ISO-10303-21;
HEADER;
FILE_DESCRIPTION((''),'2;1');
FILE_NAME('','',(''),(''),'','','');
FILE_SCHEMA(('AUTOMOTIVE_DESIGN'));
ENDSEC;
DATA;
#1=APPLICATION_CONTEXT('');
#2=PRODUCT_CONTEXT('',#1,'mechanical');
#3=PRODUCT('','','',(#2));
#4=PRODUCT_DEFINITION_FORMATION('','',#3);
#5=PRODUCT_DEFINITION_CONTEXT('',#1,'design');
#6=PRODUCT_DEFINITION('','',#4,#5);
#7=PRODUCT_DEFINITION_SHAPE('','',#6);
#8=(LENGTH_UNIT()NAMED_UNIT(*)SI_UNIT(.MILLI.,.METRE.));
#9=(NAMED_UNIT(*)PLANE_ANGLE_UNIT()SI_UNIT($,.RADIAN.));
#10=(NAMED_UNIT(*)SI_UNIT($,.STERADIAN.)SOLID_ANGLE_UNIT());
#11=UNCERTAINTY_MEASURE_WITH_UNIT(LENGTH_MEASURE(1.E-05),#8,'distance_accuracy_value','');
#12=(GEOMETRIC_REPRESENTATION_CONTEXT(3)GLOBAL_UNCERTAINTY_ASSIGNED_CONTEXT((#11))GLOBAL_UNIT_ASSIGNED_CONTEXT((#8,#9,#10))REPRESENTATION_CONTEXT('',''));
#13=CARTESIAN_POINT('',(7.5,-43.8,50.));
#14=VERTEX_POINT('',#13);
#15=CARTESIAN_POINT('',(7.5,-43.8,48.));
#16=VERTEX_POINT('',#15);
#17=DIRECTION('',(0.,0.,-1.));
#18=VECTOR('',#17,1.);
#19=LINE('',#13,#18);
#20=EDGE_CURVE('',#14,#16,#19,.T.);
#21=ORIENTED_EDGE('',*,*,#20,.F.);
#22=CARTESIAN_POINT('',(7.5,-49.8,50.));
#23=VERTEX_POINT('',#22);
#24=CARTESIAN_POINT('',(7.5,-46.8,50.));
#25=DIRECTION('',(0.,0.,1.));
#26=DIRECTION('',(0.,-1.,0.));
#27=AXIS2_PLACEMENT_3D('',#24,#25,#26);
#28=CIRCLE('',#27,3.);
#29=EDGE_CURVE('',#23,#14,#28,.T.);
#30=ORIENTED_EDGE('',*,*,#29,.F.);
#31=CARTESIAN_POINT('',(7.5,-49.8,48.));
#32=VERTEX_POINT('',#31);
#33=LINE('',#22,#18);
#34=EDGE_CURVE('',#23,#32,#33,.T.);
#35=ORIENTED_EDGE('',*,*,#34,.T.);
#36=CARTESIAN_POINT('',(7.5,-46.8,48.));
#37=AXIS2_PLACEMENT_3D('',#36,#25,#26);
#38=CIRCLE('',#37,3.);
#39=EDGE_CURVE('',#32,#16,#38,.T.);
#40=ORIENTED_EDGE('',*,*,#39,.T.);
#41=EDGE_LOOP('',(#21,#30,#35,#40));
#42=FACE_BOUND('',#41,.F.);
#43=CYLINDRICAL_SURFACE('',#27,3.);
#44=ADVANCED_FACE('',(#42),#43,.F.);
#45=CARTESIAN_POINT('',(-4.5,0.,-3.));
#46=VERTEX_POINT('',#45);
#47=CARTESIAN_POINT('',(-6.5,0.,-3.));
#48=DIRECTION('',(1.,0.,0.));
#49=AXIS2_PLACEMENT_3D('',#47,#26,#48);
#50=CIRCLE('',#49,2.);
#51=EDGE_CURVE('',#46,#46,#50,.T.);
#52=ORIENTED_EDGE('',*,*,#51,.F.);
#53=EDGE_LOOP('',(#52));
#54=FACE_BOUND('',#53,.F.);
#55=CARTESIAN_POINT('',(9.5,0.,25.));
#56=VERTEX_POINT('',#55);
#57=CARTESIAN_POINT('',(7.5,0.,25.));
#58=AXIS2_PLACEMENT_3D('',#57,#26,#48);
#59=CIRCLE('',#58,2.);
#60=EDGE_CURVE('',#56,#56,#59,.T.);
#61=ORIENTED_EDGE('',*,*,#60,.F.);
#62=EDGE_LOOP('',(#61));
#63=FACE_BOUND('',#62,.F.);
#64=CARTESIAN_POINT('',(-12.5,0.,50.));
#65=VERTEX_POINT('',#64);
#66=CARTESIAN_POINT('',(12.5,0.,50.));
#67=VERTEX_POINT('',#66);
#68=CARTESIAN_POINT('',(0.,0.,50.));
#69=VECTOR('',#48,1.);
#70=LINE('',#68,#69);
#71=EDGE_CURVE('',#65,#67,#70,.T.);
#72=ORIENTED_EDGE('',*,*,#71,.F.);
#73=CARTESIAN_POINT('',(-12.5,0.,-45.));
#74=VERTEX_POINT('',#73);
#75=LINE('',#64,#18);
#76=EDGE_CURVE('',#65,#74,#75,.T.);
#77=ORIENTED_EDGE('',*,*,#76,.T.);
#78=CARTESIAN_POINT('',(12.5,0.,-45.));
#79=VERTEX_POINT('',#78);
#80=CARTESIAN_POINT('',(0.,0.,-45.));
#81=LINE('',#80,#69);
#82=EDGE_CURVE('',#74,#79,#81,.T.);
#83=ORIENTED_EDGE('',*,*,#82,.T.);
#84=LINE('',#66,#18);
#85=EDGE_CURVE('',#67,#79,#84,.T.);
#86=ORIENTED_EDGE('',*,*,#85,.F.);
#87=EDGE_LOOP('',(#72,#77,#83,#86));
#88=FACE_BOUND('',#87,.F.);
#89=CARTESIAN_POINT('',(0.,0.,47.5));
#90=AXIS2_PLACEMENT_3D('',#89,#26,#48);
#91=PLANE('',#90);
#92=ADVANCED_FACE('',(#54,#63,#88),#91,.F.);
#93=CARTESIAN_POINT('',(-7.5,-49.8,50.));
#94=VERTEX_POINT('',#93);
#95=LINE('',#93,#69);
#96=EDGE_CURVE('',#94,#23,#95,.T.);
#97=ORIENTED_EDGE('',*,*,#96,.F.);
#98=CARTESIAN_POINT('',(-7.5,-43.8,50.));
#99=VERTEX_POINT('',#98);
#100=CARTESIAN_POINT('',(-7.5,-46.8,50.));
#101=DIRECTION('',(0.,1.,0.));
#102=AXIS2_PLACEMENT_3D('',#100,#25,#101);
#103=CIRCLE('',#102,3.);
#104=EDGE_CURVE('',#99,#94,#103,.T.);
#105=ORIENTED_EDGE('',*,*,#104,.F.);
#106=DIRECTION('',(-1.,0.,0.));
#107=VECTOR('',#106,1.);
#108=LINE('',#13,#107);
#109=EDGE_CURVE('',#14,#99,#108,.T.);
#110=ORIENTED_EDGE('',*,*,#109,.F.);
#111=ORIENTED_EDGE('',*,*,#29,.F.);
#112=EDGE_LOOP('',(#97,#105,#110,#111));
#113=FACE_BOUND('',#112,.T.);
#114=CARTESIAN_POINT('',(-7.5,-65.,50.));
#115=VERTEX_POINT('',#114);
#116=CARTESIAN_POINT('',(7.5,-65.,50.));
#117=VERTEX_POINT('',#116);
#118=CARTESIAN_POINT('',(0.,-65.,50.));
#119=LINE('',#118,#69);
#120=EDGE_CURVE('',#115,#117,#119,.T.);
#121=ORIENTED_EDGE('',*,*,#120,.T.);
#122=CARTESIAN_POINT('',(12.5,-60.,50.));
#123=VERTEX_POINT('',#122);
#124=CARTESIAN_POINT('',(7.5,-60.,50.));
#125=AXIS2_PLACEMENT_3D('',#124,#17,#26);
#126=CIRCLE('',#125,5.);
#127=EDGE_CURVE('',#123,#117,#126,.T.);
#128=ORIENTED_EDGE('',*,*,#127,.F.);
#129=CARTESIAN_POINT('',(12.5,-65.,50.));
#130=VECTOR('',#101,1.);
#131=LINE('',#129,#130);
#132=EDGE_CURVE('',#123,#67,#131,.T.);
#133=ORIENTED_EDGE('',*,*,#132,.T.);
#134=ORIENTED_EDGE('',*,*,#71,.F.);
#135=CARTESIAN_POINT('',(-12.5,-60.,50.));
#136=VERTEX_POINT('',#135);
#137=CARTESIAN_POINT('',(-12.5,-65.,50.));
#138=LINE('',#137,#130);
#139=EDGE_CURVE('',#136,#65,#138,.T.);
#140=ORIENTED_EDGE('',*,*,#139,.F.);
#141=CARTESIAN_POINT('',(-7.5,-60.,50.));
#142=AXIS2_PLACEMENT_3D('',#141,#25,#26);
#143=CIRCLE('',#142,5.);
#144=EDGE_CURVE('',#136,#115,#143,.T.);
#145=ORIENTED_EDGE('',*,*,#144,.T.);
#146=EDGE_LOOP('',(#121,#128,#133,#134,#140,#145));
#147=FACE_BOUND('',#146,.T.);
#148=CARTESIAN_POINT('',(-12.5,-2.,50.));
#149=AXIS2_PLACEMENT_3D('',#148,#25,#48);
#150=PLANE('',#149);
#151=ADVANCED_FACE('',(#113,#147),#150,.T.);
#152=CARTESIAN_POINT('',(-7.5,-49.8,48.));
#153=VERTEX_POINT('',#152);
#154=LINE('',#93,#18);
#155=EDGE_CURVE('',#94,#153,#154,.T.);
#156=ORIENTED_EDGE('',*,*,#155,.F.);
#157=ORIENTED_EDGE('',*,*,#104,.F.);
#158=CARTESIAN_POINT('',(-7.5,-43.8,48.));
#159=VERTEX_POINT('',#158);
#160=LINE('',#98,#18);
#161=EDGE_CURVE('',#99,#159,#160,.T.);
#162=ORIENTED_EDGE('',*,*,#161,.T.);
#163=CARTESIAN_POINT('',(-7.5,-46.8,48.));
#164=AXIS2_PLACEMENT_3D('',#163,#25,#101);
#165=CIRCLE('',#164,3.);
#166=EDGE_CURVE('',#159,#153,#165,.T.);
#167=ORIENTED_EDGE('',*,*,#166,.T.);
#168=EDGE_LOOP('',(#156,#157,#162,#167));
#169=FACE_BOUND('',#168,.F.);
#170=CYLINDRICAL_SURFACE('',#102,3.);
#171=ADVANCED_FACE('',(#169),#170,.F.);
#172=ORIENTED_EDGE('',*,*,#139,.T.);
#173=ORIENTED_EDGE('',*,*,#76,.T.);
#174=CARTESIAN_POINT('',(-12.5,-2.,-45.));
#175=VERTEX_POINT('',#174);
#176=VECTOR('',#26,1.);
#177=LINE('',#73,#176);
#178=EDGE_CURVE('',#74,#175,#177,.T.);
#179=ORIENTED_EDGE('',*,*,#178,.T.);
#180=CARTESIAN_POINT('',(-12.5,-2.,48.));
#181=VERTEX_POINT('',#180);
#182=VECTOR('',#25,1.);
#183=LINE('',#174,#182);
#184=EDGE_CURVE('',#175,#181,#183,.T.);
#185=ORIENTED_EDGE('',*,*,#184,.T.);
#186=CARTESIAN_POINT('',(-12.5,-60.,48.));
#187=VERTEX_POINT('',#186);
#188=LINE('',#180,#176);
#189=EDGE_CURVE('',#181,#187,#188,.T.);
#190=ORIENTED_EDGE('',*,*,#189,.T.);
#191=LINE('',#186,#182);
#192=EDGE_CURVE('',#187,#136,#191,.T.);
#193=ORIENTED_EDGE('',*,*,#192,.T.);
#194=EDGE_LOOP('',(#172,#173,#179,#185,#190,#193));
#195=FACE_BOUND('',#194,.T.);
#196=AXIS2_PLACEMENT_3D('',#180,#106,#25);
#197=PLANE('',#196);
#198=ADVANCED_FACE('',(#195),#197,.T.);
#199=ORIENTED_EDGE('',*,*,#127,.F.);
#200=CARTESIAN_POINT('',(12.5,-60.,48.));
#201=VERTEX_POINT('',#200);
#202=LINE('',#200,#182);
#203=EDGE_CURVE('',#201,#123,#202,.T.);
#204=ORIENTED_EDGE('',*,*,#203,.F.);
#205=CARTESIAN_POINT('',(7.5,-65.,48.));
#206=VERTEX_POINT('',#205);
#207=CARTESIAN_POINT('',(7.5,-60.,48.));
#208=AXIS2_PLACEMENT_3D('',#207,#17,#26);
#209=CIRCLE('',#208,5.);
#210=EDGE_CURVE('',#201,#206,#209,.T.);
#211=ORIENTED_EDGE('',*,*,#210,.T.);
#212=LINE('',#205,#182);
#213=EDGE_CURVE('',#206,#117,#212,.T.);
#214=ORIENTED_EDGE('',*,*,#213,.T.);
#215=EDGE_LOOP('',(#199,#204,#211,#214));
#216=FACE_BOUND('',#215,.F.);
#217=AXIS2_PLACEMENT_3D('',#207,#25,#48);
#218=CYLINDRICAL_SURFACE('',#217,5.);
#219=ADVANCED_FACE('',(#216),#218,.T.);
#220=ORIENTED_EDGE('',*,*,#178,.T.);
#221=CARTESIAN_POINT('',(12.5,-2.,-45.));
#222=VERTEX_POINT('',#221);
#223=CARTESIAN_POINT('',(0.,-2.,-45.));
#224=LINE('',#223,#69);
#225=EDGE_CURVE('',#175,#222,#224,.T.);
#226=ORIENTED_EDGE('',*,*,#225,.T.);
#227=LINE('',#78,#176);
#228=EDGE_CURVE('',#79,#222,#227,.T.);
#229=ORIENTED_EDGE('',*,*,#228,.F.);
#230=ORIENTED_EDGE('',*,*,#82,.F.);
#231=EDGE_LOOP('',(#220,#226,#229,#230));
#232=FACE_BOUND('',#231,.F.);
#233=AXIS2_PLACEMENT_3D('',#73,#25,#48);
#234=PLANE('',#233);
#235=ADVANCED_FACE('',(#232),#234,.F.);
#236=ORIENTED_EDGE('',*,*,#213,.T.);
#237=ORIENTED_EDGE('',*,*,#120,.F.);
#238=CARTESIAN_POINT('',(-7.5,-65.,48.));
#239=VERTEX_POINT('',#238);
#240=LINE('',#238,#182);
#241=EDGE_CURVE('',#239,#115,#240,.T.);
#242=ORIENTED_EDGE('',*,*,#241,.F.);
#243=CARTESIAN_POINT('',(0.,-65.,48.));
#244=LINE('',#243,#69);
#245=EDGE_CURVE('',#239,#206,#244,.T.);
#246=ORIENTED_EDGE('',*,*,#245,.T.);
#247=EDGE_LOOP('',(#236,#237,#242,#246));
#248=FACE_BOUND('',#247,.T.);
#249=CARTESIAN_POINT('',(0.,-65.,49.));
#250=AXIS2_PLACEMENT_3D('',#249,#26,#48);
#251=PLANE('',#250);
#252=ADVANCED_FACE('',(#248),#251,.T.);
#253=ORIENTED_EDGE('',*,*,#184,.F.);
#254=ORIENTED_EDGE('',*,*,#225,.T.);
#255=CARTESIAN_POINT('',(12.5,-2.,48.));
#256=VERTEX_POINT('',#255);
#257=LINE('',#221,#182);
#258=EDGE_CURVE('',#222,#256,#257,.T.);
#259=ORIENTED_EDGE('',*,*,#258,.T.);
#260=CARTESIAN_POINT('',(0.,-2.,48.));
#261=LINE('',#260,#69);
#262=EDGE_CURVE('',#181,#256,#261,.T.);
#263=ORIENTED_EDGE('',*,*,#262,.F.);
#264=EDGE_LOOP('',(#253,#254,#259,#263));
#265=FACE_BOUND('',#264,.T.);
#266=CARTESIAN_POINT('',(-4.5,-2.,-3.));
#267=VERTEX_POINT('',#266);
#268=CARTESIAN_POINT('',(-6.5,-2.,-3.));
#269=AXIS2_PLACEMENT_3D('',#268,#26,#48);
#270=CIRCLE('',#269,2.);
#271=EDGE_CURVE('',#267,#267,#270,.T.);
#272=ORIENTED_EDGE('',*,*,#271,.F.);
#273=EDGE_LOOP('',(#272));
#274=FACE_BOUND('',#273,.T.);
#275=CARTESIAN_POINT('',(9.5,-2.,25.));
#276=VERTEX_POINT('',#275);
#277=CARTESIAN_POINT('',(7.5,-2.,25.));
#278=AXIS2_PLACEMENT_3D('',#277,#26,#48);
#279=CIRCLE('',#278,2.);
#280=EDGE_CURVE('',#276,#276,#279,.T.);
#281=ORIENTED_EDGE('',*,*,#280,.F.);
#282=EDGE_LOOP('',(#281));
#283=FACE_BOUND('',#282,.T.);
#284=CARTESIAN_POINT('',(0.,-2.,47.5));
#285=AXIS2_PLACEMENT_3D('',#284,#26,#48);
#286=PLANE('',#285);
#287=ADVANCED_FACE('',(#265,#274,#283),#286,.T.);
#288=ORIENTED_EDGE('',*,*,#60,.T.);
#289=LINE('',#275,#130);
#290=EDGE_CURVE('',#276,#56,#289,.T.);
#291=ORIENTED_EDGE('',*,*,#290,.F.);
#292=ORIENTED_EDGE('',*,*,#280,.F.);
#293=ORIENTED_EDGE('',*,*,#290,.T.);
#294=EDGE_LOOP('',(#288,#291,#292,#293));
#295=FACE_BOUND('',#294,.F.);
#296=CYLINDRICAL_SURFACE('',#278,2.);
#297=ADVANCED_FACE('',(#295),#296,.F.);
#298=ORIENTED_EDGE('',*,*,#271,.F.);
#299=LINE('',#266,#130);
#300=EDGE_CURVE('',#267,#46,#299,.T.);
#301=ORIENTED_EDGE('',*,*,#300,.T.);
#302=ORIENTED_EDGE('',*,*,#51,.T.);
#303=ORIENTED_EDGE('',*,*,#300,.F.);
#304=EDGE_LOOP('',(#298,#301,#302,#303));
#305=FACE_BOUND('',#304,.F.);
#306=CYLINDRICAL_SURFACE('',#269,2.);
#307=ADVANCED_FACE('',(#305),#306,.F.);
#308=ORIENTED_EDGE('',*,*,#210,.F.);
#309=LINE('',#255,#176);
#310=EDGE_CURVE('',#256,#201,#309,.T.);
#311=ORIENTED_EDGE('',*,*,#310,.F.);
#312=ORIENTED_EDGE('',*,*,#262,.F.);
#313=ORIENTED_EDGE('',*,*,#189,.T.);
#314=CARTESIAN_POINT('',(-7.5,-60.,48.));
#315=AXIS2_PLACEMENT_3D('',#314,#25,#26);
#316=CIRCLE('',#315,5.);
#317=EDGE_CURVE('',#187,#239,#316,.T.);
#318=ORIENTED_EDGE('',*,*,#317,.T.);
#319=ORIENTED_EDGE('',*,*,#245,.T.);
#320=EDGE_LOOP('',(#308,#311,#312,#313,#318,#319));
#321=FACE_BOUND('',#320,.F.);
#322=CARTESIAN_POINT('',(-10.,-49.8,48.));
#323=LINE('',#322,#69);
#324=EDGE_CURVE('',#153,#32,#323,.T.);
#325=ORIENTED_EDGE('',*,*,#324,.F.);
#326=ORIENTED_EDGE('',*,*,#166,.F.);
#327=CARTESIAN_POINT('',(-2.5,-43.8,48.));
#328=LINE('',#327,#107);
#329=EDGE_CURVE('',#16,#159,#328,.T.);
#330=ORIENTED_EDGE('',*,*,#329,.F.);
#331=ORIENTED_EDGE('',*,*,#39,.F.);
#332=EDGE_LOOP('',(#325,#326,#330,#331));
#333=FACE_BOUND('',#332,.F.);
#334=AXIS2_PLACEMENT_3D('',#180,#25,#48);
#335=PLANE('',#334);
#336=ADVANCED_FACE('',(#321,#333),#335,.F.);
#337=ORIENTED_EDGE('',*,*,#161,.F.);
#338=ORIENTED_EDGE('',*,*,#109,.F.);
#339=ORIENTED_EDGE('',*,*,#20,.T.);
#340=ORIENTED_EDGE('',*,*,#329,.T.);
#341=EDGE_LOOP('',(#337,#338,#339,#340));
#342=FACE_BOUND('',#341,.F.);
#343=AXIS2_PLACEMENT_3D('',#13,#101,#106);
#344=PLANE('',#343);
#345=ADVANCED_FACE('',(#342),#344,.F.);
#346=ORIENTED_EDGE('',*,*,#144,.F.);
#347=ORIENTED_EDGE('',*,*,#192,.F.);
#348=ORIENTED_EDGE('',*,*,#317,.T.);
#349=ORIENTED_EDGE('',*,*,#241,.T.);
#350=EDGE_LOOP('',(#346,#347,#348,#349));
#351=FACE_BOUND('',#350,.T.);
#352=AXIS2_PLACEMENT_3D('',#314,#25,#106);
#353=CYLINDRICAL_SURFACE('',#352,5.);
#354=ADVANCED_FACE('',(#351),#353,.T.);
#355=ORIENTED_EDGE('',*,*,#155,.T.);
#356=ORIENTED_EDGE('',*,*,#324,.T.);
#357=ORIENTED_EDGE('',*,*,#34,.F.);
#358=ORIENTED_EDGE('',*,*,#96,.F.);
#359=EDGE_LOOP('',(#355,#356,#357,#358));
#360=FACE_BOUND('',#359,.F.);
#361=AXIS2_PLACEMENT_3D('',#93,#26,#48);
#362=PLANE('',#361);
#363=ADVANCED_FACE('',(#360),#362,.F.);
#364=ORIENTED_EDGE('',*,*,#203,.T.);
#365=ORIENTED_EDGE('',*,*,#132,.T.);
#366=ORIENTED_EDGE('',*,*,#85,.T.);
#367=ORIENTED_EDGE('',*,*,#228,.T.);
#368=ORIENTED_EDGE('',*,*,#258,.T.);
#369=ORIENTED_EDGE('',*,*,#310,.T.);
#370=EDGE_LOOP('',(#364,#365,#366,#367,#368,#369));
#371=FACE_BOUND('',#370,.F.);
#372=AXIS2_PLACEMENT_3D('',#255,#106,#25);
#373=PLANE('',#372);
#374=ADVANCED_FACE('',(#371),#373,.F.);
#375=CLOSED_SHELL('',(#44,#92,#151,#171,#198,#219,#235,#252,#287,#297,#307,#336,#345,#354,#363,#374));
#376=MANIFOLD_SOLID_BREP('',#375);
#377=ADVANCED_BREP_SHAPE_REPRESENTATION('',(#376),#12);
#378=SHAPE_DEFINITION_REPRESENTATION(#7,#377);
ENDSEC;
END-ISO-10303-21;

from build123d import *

# Parameters (mm, degrees)
F0_W      = 25
F0_H      = 90
F1_DEPTH  = 2
F2_R      = 2
F3_DEPTH  = 25
F4_W      = 25
F4_H      = 5
F5_DEPTH  = 2
F6_W      = 25
F6_H      = 2
F7_DEPTH  = 63
F8_R      = 5
F10_DEPTH = 25


with BuildPart() as f1:
    # F0 (on Front) → F1 (new body)
    with BuildSketch(Plane.XZ):
        Rectangle(F0_W, F0_H)
    extrude(amount=F1_DEPTH)

    # F2 (on face) → F3 (cut)
    with BuildSketch(Plane.XZ.offset(2)):
        with Locations((7.5, 25)):
            Circle(F2_R)
        with Locations((-6.5, -3)):
            Circle(F2_R)
    extrude(amount=-F3_DEPTH, mode=Mode.SUBTRACT)

    # F4 (on face) → F5 (join)
    with BuildSketch(Plane.XZ.offset(2)):
        with Locations((0, 47.5)):
            Rectangle(F4_W, F4_H)
    extrude(amount=-F5_DEPTH)

    # F6 (on face) → F7 (join)
    with BuildSketch(Plane.XZ.offset(2)):
        with Locations((0, 49)):
            Rectangle(F6_W, F6_H)
    extrude(amount=F7_DEPTH)

    # F8
    f8_edges = [f1.edges().sort_by_distance(p)[0] for p in [
        (-12.5, -65, 49),
        (12.5, -65, 49),
    ]]
    fillet(f8_edges, radius=F8_R)

    # F9 (on face) → F10 (cut)
    with BuildSketch(Plane.XY.offset(50)):
        with BuildLine():
            Line((-7.5, -49.8), (7.5, -49.8))
            ThreePointArc((7.5, -49.8), (10.5, -46.8), (7.5, -43.8))
            Line((7.5, -43.8), (-7.5, -43.8))
            ThreePointArc((-7.5, -43.8), (-10.5, -46.8), (-7.5, -49.8))
        make_face()
    extrude(amount=-F10_DEPTH, mode=Mode.SUBTRACT)


solid = f1.part
